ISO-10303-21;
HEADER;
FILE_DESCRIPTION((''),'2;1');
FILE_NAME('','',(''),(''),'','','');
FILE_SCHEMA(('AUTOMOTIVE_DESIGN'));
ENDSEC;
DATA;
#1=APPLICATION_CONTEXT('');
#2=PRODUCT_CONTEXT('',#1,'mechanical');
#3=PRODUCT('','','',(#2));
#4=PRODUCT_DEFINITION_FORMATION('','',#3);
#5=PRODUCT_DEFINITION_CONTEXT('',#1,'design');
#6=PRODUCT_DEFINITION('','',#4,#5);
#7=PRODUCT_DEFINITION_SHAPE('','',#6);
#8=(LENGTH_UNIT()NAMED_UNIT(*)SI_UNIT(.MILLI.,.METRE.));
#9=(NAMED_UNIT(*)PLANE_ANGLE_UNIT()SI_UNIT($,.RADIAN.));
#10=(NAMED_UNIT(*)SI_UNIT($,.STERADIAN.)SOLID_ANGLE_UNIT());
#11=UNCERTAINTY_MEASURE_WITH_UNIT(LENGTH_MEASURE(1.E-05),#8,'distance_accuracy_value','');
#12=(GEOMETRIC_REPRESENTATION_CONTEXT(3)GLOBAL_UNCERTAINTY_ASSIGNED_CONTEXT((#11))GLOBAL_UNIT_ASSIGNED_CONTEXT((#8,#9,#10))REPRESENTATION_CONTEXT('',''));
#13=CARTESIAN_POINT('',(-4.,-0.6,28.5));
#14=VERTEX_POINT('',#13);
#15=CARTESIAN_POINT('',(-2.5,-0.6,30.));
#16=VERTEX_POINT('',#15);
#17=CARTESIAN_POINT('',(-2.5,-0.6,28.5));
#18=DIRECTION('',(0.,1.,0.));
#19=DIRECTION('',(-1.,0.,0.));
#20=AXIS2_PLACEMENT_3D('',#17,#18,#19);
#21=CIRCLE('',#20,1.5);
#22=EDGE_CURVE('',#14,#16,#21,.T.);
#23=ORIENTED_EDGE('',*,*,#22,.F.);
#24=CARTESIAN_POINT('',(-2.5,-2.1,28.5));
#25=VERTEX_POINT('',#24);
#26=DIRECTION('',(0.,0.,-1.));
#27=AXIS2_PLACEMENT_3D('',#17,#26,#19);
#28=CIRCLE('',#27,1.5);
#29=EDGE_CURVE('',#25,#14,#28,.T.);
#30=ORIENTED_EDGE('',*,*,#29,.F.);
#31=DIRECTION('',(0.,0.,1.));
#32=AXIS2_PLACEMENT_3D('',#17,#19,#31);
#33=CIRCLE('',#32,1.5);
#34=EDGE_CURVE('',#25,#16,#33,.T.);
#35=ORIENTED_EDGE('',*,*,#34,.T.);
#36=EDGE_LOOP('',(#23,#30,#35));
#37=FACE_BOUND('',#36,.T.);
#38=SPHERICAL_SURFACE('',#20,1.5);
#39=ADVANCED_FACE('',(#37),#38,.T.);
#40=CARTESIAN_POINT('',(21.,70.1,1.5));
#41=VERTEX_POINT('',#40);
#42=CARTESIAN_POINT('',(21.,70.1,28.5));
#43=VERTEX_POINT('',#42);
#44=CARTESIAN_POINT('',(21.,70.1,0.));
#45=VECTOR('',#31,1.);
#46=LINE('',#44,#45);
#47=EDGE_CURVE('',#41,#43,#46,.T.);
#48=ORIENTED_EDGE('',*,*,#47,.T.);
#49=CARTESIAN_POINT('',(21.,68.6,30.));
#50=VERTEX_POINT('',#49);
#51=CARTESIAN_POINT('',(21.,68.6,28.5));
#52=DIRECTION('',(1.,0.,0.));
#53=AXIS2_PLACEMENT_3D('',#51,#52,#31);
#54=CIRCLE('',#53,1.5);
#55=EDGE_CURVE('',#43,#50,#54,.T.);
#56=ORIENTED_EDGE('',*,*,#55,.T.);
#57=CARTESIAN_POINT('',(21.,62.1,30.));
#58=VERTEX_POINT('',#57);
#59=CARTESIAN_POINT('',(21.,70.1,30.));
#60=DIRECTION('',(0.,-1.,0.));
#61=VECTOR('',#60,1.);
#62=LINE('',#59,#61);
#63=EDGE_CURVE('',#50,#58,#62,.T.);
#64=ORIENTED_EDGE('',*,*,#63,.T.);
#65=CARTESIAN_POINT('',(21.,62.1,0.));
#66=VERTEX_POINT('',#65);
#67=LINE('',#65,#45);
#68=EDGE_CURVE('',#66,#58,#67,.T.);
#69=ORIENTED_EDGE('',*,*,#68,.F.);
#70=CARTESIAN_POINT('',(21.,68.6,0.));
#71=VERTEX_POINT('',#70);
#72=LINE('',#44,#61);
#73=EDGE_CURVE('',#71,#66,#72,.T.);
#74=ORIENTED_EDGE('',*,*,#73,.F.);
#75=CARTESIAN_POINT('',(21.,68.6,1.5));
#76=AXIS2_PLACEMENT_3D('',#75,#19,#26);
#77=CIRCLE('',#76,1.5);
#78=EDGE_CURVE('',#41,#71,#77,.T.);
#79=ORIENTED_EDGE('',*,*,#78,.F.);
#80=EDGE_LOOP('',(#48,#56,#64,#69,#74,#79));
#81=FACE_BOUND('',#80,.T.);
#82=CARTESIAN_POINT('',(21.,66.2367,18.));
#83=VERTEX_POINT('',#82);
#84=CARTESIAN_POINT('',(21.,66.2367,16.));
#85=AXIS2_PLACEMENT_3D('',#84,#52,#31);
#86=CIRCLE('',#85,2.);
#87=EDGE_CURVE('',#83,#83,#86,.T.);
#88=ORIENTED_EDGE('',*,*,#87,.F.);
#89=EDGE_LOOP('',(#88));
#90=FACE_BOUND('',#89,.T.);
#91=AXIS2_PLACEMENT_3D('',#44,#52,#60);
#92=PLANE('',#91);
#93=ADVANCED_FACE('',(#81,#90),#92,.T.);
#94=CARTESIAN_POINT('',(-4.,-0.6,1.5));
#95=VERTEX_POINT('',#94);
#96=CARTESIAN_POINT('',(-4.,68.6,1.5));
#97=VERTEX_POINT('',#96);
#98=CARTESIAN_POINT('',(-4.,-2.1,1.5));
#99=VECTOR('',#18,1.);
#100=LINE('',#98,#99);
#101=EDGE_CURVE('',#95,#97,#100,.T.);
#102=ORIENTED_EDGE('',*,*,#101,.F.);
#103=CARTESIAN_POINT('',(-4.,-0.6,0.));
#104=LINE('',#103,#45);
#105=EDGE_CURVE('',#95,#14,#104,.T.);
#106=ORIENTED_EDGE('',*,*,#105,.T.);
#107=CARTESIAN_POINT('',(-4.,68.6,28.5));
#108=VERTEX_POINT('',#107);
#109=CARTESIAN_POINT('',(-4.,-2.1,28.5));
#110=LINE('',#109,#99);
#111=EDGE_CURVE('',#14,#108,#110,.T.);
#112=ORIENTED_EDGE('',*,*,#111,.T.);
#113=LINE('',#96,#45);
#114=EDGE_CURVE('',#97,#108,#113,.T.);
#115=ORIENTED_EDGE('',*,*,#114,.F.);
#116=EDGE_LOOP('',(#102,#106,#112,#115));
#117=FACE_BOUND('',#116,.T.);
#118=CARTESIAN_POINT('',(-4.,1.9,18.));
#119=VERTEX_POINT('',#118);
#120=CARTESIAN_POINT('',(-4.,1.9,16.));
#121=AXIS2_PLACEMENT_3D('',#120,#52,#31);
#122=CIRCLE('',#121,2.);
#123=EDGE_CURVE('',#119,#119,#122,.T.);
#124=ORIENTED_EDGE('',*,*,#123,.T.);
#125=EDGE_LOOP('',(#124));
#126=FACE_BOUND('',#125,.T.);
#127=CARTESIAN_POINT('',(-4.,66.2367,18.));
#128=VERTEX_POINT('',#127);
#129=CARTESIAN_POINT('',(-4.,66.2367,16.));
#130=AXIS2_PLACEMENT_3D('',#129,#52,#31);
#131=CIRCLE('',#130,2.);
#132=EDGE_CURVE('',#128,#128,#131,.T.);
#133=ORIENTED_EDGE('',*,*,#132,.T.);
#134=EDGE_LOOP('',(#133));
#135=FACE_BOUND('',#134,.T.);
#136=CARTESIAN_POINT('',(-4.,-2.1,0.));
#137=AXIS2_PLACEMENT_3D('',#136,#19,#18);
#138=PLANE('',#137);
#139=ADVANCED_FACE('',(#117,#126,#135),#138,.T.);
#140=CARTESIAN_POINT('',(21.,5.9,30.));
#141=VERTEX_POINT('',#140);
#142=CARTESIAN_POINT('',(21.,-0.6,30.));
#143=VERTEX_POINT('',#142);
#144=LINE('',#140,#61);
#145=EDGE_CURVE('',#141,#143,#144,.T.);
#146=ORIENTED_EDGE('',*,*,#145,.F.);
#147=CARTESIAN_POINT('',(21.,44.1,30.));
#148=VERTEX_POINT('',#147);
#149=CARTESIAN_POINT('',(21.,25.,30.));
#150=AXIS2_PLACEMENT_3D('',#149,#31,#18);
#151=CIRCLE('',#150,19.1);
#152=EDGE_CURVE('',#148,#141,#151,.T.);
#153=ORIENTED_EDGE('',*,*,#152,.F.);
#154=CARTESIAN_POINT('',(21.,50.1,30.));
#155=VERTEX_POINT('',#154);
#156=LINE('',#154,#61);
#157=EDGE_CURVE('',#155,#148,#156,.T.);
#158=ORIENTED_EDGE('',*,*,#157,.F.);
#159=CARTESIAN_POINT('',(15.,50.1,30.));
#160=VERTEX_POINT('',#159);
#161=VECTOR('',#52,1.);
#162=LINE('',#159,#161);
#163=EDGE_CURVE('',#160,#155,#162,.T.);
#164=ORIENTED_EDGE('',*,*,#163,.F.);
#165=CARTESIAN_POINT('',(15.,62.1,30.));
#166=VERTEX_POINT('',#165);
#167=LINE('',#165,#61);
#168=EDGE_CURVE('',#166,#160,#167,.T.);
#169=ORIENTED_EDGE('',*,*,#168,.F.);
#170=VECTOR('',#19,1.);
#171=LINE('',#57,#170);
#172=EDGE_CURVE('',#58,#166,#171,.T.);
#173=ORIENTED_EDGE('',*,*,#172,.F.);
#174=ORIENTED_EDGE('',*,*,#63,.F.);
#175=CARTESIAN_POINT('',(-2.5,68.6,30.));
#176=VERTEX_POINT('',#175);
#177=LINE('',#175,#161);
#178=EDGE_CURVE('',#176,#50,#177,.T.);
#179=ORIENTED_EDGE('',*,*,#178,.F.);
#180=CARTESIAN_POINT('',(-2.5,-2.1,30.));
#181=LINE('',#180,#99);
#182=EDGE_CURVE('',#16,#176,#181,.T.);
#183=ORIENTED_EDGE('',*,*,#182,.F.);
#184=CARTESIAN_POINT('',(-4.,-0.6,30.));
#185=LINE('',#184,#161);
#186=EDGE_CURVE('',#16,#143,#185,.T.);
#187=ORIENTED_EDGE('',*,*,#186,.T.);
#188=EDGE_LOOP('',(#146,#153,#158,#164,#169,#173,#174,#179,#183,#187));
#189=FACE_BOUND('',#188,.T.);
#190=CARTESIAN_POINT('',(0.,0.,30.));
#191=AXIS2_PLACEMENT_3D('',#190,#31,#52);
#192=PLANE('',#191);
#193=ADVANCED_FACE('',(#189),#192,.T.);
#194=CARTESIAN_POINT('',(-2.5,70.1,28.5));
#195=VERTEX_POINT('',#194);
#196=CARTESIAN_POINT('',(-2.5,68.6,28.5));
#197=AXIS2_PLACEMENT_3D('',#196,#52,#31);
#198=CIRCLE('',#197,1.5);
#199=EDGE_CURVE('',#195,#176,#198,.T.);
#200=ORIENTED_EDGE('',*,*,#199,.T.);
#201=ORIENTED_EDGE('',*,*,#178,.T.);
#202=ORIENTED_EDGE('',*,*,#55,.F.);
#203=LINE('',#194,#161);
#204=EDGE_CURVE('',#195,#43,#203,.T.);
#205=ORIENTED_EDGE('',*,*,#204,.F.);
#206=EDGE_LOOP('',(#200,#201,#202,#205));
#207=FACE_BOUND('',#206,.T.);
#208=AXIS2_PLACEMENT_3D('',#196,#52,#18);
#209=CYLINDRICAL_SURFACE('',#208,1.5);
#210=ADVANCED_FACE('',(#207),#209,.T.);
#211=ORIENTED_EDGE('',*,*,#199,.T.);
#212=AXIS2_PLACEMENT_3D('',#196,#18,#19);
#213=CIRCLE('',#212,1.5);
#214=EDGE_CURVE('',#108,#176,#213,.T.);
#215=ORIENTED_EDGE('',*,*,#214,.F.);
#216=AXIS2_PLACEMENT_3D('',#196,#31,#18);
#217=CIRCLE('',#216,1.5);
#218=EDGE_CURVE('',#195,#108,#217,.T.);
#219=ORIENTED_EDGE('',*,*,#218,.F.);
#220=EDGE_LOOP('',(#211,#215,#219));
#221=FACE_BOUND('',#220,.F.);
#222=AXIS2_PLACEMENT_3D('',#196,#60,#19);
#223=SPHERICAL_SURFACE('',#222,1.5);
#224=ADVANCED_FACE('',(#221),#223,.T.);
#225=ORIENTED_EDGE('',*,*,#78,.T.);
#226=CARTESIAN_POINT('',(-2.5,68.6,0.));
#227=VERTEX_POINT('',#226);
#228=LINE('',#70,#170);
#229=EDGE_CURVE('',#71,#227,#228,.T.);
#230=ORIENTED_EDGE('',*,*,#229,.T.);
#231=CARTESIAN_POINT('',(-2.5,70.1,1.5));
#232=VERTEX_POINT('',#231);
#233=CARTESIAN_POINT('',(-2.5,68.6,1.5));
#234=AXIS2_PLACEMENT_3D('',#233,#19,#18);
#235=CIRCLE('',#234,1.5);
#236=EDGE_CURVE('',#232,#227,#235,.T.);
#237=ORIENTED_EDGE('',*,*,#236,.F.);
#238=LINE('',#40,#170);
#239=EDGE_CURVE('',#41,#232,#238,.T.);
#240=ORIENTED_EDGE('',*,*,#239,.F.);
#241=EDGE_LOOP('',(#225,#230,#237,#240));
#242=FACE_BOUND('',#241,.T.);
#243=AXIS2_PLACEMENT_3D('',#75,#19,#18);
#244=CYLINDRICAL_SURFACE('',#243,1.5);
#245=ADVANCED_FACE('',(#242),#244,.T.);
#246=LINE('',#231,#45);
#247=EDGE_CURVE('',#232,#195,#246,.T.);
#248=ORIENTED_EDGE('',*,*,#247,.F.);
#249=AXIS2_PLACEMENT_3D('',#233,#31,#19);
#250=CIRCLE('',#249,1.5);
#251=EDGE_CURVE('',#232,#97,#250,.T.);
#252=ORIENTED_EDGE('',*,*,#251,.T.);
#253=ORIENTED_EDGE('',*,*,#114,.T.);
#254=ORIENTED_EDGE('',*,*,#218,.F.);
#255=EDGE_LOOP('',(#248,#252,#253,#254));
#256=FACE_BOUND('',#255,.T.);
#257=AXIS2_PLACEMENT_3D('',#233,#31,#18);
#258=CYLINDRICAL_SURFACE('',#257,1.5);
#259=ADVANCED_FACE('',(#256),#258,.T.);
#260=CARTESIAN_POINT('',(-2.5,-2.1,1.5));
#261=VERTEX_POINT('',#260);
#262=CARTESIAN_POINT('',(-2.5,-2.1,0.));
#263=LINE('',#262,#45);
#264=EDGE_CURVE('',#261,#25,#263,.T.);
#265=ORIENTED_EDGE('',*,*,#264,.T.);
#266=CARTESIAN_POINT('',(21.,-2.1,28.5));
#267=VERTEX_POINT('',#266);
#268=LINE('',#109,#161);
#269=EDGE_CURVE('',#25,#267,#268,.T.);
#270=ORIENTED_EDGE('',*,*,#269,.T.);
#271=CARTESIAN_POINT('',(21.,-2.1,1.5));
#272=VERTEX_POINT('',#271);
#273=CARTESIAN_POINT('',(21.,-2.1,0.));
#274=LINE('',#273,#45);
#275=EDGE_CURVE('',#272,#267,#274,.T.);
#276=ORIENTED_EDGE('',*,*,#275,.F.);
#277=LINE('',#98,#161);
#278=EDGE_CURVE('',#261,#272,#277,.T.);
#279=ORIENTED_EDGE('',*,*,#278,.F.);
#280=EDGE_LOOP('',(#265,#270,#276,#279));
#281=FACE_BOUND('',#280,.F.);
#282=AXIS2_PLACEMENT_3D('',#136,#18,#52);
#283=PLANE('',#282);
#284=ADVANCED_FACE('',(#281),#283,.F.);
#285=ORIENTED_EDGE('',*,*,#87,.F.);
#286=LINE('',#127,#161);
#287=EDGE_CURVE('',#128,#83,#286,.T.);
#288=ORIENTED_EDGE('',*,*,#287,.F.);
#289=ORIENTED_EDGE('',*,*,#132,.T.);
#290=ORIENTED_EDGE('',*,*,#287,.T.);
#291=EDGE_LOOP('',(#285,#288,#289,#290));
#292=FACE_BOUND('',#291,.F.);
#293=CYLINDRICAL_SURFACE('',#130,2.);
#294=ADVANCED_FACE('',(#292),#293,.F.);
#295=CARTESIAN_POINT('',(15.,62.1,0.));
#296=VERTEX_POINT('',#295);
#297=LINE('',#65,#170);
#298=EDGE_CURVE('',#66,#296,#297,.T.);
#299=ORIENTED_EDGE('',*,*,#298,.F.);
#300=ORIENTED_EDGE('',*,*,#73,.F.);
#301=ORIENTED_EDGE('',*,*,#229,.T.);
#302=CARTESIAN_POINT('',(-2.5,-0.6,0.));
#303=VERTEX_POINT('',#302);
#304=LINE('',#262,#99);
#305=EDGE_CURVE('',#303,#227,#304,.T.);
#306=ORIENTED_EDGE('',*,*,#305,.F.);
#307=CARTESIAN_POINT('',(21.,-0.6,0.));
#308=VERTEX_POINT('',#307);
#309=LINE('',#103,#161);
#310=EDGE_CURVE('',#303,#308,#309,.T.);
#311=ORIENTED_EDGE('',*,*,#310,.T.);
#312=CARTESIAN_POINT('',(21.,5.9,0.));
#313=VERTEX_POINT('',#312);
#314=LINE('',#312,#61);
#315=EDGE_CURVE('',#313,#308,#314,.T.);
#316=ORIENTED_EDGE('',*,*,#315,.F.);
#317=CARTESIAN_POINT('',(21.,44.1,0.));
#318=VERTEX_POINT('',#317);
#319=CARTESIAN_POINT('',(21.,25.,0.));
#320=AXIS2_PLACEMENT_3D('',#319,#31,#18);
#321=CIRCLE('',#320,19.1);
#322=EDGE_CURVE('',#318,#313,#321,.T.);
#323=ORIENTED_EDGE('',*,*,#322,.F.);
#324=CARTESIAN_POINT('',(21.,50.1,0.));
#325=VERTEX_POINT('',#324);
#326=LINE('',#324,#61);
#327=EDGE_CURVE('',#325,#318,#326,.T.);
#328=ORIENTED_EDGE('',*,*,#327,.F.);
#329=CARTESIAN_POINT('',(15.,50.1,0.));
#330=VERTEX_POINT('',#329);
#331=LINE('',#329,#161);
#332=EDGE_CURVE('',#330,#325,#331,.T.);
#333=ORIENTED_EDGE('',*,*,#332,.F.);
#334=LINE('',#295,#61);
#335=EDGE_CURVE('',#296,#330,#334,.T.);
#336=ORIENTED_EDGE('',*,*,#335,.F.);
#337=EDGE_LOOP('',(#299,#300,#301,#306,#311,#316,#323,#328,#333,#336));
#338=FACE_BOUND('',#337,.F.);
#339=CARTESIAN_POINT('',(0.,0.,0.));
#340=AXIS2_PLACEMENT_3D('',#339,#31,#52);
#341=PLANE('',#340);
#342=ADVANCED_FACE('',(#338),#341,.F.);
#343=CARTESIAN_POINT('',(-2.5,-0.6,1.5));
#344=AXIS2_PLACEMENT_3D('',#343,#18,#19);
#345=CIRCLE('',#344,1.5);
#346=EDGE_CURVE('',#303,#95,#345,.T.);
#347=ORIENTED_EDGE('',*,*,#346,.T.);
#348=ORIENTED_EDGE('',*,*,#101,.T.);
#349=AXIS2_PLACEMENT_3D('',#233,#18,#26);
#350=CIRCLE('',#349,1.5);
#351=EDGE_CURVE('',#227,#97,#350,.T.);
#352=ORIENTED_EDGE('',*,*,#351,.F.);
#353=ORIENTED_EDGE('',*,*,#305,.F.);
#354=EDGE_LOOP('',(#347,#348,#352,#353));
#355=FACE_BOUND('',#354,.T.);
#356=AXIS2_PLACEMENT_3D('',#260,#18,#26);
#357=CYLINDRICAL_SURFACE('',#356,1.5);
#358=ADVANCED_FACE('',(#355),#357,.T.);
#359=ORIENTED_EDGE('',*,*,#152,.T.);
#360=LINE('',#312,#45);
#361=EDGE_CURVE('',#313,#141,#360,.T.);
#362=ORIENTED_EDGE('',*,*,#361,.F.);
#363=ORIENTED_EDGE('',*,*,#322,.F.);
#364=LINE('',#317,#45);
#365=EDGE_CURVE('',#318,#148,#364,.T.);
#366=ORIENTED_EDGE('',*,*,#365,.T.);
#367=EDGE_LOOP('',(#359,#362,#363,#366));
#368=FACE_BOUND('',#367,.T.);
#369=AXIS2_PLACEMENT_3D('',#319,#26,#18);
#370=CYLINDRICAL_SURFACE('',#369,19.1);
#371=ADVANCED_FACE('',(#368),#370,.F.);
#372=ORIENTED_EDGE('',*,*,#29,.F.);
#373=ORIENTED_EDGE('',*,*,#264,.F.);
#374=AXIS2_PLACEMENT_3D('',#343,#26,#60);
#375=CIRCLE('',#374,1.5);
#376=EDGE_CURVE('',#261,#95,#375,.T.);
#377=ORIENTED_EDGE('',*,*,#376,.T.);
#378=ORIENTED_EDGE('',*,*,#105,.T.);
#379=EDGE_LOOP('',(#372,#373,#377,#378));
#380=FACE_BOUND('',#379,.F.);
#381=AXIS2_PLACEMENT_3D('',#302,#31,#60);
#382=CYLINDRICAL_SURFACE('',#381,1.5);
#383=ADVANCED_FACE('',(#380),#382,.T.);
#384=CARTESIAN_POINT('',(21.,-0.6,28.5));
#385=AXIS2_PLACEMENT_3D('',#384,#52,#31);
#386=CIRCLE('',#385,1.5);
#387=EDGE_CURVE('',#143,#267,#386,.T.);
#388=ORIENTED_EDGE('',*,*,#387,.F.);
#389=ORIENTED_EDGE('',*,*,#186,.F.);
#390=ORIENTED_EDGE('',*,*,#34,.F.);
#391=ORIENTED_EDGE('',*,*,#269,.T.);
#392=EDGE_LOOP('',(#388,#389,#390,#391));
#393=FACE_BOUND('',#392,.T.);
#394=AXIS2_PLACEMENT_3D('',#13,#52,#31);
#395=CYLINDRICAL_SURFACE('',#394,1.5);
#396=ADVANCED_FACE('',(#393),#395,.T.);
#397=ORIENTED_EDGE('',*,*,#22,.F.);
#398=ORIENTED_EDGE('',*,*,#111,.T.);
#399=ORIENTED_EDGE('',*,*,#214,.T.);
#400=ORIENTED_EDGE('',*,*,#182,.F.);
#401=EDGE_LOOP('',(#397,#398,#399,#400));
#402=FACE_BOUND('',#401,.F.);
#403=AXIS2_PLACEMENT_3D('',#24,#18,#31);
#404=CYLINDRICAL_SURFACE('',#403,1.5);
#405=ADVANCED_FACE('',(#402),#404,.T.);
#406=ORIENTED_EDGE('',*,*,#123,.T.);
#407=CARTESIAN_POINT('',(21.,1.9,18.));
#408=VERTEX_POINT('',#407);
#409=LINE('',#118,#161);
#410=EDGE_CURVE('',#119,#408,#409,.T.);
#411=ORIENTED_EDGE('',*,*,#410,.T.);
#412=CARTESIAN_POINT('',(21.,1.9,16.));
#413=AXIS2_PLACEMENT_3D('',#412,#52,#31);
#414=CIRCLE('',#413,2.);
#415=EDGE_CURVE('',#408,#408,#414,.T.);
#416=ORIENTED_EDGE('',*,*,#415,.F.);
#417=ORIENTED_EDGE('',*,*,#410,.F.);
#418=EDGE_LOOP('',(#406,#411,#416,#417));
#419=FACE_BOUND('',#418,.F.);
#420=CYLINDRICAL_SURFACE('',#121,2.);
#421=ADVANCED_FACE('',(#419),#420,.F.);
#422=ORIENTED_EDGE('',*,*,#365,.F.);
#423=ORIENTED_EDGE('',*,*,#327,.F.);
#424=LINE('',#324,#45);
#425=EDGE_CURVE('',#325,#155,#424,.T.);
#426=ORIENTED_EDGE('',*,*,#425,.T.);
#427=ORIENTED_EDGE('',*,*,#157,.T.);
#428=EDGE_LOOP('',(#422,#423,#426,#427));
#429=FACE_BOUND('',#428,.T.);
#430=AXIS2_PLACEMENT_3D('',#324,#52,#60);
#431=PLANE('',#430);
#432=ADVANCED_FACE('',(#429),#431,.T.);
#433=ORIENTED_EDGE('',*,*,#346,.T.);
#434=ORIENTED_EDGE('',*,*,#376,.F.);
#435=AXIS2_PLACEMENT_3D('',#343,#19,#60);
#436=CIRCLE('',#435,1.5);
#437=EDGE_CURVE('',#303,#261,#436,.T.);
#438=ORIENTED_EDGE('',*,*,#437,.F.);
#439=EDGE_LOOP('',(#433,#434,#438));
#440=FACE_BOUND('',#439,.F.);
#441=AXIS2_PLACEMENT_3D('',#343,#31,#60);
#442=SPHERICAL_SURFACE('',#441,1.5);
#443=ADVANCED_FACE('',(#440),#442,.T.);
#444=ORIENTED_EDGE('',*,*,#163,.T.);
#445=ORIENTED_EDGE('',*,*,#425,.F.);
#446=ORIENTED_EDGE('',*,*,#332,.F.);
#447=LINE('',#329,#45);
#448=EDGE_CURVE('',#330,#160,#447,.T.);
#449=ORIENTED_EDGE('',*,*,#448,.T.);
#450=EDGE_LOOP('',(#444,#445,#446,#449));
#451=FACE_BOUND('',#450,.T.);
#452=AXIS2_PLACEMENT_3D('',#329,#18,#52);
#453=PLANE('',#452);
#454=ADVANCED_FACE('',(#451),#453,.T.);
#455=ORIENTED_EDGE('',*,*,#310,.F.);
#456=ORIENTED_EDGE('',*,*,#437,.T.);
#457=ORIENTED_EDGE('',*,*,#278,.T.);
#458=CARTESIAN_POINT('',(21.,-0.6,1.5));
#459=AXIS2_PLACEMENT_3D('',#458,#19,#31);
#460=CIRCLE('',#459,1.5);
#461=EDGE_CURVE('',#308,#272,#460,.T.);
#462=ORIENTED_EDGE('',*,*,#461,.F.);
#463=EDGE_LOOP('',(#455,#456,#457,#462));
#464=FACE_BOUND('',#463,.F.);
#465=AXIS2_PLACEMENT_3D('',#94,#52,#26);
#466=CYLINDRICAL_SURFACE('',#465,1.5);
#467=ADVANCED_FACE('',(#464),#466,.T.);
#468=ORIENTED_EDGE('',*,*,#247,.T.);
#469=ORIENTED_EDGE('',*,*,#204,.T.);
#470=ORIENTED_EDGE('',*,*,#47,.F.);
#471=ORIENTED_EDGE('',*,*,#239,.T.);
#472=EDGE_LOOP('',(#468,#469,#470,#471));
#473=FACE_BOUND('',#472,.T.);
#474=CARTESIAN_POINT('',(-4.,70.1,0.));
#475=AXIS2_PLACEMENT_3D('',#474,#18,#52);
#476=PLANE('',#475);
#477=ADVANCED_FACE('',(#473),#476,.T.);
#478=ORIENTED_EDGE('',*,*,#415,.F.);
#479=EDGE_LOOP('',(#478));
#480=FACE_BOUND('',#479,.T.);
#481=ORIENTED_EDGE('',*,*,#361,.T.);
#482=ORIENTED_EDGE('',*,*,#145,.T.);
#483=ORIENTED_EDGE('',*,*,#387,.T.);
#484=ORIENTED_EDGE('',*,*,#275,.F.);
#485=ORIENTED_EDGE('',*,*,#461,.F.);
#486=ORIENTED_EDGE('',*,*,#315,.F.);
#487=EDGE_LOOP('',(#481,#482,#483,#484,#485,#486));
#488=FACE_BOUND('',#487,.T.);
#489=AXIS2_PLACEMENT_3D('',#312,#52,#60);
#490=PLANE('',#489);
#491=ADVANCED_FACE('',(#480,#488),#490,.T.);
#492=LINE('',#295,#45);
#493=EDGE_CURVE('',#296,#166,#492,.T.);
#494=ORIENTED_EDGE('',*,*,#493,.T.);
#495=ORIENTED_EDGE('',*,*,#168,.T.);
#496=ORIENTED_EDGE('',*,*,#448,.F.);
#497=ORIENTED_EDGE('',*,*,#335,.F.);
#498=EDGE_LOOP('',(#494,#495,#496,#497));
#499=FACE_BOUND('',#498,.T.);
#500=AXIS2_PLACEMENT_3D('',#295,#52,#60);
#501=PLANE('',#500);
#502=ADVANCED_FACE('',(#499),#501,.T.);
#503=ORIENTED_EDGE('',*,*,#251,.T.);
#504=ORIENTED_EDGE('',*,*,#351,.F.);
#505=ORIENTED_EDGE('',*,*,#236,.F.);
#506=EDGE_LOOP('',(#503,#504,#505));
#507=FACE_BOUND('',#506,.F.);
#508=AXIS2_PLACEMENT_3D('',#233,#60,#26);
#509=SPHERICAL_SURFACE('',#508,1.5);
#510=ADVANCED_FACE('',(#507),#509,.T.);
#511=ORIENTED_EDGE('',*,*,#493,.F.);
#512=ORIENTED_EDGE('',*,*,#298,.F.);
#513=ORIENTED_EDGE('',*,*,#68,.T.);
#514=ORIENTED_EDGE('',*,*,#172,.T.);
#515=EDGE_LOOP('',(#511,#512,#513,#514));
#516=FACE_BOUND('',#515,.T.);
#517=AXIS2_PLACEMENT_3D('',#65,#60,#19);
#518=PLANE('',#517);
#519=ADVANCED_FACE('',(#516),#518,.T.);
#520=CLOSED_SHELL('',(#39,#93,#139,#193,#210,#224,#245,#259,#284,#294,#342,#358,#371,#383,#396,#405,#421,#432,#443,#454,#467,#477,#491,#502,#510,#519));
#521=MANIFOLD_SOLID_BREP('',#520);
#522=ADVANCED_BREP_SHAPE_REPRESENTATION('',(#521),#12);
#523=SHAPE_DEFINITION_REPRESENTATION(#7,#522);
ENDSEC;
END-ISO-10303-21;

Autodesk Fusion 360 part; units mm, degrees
sketch "Esboço1" plane through (0, 0, 0) normal (0, 0, 1) x (1, 0, 0)
  line L0 (15, 50.1) -> (21, 50.1)
  line L1 (15, 62.1) -> (15, 50.1)
  line L2 (-4, -2.1) -> (-4, 70.1)
  line L3 (-4, -2.1) -> (21, -2.1)
  line L4 (21, 70.1) -> (21, 62.1)
  line L5 (21, 62.1) -> (15, 62.1)
  line L6 (21, 5.9) -> (21, -2.1)
  line L7 (21, 50.1) -> (21, 44.1)
  arc A0 (21, 44.1) -> (21, 5.9) centre (21, 25) ccw
  line L8 (-4, 70.1) -> (21, 70.1)
  dimension "d2" = 12
  dimension "d3" = 6
  dimension "d5" = 8
  dimension "d8" = 6
  dimension "d10" = 8
  dimension "d36" = 25
  dimension "d12" = 6
  dimension "d13" = 19.1
extrude "Extrusão1" add sketch "Esboço1" along normal blind 30
hole "Furo1" at (-4, 66.2367, 16) direction (1, 0, 0) diameter 4 depth 25 tip angle 180
hole "Furo2" at (-4, 1.9, 16) direction (1, 0, 0) diameter 4 depth 25 tip angle 180
fillet "Arredondamento1" radius 1.5 5 edges at (-4, 34, 30) (-4, -2.1, 15) (8.5, -2.1, 30) (8.5, -2.1, 0) (-4, 34, 0)
fillet "Arredondamento2" radius 1.5 5 edges at (9.25, 70.1, 30) (-3.5607, 70.1, 29.5607) (-4, 70.1, 15) (-3.5607, 70.1, 0.4393) (9.25, 70.1, 0)
